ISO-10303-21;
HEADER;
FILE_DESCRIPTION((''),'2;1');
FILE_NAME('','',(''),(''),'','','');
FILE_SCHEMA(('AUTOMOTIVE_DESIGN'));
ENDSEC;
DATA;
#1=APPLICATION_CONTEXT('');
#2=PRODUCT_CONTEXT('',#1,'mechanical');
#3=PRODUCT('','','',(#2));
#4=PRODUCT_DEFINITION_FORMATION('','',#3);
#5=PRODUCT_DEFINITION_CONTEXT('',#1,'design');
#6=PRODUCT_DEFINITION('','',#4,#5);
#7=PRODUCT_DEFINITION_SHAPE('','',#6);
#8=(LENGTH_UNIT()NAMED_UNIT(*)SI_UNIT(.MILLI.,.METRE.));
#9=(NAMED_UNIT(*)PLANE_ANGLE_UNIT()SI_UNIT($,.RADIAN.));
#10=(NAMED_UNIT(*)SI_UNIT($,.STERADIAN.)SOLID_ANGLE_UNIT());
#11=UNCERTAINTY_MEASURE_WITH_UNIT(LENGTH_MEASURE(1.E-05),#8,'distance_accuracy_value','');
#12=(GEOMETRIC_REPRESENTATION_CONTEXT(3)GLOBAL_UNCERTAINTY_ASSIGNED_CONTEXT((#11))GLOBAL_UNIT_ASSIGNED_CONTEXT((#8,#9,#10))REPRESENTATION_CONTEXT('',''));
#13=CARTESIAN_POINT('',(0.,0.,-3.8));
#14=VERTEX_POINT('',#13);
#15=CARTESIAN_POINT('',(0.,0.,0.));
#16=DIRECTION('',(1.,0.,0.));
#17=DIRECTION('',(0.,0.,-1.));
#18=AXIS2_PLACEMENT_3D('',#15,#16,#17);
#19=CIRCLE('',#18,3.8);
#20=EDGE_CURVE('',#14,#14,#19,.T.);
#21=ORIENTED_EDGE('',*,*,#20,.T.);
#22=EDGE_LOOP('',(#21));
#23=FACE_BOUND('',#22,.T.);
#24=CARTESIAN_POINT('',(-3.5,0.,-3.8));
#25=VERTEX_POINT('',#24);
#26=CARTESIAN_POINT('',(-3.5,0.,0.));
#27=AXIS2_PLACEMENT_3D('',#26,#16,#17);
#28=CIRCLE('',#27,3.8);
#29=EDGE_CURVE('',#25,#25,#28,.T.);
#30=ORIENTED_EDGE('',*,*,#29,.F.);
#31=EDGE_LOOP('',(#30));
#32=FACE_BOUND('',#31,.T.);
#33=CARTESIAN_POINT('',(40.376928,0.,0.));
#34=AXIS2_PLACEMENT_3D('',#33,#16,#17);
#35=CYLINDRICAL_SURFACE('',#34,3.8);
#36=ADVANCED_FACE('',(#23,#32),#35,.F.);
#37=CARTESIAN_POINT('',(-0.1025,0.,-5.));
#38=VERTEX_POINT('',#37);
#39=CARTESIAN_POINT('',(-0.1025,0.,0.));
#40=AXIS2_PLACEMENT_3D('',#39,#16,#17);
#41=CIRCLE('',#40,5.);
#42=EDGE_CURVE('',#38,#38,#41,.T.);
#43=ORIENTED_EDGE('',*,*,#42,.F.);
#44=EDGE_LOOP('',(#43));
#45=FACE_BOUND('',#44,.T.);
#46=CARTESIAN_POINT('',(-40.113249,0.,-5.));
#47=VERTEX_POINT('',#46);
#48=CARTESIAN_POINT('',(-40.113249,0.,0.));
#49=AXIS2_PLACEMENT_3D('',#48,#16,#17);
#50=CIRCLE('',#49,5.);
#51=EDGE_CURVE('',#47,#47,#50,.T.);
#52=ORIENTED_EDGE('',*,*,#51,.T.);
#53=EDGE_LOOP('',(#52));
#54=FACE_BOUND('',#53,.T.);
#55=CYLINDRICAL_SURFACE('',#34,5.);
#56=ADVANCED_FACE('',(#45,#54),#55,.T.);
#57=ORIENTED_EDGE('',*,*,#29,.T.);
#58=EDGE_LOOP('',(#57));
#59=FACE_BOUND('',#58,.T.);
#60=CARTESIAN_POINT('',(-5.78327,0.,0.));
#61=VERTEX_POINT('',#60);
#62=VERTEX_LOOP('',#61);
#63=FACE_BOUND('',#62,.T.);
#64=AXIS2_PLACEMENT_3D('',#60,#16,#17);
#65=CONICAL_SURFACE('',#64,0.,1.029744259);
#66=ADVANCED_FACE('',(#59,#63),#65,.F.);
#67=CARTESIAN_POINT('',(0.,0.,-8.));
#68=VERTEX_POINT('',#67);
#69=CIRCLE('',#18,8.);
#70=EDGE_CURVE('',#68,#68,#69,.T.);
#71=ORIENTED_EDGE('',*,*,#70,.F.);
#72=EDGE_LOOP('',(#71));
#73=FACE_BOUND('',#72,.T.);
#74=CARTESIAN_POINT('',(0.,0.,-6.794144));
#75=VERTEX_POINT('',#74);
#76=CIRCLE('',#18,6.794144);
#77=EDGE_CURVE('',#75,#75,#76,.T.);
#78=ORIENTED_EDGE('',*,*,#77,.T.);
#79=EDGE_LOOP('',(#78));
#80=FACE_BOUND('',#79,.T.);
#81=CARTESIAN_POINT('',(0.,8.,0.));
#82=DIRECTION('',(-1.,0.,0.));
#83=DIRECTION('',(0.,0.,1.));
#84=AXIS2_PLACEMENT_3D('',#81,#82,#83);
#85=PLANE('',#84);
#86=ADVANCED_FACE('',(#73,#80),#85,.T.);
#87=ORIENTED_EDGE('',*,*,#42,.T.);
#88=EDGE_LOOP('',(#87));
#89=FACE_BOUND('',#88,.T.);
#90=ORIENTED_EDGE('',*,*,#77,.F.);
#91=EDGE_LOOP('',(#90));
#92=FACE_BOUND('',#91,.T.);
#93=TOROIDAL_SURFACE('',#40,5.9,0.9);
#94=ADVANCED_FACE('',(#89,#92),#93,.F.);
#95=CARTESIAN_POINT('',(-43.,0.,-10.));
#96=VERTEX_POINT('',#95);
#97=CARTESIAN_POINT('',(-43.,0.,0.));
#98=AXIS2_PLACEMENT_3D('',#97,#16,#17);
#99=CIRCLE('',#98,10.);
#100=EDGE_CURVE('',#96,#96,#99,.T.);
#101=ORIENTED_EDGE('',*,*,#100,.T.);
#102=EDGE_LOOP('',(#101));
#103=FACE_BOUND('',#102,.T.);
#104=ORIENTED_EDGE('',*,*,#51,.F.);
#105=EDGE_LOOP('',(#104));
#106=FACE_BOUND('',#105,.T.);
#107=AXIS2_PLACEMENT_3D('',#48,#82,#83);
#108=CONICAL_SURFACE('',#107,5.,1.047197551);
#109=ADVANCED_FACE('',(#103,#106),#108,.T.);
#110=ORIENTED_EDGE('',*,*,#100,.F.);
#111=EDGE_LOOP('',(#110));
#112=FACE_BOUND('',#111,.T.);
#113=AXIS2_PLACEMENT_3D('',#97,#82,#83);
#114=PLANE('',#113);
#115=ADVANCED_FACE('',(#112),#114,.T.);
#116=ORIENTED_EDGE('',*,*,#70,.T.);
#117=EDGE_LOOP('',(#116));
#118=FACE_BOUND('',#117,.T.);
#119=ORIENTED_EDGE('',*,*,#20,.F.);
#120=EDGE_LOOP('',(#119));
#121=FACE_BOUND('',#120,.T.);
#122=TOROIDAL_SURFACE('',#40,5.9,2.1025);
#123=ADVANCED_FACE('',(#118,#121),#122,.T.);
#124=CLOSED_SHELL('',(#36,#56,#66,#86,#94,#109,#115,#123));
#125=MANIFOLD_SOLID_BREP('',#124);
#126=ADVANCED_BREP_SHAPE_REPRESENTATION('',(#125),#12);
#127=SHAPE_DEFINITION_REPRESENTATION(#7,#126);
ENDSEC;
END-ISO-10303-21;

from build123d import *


with BuildPart() as part:
    # Sketch1 → Base-Revolve (revolve)
    with BuildSketch(Plane.XY, mode=Mode.PRIVATE) as base_revolve_sk:
        with BuildLine():
            Line((0, 8), (0, 6.794144144))
            ThreePointArc((0, 6.794144144), (0.796034843, 5.848666431), (-0.1025, 5))
            Line((-0.1025, 5), (-40.113248654, 5))
            Line((-40.113248654, 5), (-43, 10))
            Line((-43, 10), (-43, 0))
            Line((-43, 0), (-5.783270352, 0))
            Line((-5.783270352, 0), (-3.5, 3.8))
            Line((-3.5, 3.8), (0, 3.8))
            ThreePointArc((0, 3.8), (2, 5.9), (0, 8))
        make_face()
    revolve(base_revolve_sk.sketch.rotate(Axis((40.376928104, 0, 0), (-1, 0, 0)), 90), axis=Axis((40.376928104, 0, 0), (-1, 0, 0)))


solid = part.part
